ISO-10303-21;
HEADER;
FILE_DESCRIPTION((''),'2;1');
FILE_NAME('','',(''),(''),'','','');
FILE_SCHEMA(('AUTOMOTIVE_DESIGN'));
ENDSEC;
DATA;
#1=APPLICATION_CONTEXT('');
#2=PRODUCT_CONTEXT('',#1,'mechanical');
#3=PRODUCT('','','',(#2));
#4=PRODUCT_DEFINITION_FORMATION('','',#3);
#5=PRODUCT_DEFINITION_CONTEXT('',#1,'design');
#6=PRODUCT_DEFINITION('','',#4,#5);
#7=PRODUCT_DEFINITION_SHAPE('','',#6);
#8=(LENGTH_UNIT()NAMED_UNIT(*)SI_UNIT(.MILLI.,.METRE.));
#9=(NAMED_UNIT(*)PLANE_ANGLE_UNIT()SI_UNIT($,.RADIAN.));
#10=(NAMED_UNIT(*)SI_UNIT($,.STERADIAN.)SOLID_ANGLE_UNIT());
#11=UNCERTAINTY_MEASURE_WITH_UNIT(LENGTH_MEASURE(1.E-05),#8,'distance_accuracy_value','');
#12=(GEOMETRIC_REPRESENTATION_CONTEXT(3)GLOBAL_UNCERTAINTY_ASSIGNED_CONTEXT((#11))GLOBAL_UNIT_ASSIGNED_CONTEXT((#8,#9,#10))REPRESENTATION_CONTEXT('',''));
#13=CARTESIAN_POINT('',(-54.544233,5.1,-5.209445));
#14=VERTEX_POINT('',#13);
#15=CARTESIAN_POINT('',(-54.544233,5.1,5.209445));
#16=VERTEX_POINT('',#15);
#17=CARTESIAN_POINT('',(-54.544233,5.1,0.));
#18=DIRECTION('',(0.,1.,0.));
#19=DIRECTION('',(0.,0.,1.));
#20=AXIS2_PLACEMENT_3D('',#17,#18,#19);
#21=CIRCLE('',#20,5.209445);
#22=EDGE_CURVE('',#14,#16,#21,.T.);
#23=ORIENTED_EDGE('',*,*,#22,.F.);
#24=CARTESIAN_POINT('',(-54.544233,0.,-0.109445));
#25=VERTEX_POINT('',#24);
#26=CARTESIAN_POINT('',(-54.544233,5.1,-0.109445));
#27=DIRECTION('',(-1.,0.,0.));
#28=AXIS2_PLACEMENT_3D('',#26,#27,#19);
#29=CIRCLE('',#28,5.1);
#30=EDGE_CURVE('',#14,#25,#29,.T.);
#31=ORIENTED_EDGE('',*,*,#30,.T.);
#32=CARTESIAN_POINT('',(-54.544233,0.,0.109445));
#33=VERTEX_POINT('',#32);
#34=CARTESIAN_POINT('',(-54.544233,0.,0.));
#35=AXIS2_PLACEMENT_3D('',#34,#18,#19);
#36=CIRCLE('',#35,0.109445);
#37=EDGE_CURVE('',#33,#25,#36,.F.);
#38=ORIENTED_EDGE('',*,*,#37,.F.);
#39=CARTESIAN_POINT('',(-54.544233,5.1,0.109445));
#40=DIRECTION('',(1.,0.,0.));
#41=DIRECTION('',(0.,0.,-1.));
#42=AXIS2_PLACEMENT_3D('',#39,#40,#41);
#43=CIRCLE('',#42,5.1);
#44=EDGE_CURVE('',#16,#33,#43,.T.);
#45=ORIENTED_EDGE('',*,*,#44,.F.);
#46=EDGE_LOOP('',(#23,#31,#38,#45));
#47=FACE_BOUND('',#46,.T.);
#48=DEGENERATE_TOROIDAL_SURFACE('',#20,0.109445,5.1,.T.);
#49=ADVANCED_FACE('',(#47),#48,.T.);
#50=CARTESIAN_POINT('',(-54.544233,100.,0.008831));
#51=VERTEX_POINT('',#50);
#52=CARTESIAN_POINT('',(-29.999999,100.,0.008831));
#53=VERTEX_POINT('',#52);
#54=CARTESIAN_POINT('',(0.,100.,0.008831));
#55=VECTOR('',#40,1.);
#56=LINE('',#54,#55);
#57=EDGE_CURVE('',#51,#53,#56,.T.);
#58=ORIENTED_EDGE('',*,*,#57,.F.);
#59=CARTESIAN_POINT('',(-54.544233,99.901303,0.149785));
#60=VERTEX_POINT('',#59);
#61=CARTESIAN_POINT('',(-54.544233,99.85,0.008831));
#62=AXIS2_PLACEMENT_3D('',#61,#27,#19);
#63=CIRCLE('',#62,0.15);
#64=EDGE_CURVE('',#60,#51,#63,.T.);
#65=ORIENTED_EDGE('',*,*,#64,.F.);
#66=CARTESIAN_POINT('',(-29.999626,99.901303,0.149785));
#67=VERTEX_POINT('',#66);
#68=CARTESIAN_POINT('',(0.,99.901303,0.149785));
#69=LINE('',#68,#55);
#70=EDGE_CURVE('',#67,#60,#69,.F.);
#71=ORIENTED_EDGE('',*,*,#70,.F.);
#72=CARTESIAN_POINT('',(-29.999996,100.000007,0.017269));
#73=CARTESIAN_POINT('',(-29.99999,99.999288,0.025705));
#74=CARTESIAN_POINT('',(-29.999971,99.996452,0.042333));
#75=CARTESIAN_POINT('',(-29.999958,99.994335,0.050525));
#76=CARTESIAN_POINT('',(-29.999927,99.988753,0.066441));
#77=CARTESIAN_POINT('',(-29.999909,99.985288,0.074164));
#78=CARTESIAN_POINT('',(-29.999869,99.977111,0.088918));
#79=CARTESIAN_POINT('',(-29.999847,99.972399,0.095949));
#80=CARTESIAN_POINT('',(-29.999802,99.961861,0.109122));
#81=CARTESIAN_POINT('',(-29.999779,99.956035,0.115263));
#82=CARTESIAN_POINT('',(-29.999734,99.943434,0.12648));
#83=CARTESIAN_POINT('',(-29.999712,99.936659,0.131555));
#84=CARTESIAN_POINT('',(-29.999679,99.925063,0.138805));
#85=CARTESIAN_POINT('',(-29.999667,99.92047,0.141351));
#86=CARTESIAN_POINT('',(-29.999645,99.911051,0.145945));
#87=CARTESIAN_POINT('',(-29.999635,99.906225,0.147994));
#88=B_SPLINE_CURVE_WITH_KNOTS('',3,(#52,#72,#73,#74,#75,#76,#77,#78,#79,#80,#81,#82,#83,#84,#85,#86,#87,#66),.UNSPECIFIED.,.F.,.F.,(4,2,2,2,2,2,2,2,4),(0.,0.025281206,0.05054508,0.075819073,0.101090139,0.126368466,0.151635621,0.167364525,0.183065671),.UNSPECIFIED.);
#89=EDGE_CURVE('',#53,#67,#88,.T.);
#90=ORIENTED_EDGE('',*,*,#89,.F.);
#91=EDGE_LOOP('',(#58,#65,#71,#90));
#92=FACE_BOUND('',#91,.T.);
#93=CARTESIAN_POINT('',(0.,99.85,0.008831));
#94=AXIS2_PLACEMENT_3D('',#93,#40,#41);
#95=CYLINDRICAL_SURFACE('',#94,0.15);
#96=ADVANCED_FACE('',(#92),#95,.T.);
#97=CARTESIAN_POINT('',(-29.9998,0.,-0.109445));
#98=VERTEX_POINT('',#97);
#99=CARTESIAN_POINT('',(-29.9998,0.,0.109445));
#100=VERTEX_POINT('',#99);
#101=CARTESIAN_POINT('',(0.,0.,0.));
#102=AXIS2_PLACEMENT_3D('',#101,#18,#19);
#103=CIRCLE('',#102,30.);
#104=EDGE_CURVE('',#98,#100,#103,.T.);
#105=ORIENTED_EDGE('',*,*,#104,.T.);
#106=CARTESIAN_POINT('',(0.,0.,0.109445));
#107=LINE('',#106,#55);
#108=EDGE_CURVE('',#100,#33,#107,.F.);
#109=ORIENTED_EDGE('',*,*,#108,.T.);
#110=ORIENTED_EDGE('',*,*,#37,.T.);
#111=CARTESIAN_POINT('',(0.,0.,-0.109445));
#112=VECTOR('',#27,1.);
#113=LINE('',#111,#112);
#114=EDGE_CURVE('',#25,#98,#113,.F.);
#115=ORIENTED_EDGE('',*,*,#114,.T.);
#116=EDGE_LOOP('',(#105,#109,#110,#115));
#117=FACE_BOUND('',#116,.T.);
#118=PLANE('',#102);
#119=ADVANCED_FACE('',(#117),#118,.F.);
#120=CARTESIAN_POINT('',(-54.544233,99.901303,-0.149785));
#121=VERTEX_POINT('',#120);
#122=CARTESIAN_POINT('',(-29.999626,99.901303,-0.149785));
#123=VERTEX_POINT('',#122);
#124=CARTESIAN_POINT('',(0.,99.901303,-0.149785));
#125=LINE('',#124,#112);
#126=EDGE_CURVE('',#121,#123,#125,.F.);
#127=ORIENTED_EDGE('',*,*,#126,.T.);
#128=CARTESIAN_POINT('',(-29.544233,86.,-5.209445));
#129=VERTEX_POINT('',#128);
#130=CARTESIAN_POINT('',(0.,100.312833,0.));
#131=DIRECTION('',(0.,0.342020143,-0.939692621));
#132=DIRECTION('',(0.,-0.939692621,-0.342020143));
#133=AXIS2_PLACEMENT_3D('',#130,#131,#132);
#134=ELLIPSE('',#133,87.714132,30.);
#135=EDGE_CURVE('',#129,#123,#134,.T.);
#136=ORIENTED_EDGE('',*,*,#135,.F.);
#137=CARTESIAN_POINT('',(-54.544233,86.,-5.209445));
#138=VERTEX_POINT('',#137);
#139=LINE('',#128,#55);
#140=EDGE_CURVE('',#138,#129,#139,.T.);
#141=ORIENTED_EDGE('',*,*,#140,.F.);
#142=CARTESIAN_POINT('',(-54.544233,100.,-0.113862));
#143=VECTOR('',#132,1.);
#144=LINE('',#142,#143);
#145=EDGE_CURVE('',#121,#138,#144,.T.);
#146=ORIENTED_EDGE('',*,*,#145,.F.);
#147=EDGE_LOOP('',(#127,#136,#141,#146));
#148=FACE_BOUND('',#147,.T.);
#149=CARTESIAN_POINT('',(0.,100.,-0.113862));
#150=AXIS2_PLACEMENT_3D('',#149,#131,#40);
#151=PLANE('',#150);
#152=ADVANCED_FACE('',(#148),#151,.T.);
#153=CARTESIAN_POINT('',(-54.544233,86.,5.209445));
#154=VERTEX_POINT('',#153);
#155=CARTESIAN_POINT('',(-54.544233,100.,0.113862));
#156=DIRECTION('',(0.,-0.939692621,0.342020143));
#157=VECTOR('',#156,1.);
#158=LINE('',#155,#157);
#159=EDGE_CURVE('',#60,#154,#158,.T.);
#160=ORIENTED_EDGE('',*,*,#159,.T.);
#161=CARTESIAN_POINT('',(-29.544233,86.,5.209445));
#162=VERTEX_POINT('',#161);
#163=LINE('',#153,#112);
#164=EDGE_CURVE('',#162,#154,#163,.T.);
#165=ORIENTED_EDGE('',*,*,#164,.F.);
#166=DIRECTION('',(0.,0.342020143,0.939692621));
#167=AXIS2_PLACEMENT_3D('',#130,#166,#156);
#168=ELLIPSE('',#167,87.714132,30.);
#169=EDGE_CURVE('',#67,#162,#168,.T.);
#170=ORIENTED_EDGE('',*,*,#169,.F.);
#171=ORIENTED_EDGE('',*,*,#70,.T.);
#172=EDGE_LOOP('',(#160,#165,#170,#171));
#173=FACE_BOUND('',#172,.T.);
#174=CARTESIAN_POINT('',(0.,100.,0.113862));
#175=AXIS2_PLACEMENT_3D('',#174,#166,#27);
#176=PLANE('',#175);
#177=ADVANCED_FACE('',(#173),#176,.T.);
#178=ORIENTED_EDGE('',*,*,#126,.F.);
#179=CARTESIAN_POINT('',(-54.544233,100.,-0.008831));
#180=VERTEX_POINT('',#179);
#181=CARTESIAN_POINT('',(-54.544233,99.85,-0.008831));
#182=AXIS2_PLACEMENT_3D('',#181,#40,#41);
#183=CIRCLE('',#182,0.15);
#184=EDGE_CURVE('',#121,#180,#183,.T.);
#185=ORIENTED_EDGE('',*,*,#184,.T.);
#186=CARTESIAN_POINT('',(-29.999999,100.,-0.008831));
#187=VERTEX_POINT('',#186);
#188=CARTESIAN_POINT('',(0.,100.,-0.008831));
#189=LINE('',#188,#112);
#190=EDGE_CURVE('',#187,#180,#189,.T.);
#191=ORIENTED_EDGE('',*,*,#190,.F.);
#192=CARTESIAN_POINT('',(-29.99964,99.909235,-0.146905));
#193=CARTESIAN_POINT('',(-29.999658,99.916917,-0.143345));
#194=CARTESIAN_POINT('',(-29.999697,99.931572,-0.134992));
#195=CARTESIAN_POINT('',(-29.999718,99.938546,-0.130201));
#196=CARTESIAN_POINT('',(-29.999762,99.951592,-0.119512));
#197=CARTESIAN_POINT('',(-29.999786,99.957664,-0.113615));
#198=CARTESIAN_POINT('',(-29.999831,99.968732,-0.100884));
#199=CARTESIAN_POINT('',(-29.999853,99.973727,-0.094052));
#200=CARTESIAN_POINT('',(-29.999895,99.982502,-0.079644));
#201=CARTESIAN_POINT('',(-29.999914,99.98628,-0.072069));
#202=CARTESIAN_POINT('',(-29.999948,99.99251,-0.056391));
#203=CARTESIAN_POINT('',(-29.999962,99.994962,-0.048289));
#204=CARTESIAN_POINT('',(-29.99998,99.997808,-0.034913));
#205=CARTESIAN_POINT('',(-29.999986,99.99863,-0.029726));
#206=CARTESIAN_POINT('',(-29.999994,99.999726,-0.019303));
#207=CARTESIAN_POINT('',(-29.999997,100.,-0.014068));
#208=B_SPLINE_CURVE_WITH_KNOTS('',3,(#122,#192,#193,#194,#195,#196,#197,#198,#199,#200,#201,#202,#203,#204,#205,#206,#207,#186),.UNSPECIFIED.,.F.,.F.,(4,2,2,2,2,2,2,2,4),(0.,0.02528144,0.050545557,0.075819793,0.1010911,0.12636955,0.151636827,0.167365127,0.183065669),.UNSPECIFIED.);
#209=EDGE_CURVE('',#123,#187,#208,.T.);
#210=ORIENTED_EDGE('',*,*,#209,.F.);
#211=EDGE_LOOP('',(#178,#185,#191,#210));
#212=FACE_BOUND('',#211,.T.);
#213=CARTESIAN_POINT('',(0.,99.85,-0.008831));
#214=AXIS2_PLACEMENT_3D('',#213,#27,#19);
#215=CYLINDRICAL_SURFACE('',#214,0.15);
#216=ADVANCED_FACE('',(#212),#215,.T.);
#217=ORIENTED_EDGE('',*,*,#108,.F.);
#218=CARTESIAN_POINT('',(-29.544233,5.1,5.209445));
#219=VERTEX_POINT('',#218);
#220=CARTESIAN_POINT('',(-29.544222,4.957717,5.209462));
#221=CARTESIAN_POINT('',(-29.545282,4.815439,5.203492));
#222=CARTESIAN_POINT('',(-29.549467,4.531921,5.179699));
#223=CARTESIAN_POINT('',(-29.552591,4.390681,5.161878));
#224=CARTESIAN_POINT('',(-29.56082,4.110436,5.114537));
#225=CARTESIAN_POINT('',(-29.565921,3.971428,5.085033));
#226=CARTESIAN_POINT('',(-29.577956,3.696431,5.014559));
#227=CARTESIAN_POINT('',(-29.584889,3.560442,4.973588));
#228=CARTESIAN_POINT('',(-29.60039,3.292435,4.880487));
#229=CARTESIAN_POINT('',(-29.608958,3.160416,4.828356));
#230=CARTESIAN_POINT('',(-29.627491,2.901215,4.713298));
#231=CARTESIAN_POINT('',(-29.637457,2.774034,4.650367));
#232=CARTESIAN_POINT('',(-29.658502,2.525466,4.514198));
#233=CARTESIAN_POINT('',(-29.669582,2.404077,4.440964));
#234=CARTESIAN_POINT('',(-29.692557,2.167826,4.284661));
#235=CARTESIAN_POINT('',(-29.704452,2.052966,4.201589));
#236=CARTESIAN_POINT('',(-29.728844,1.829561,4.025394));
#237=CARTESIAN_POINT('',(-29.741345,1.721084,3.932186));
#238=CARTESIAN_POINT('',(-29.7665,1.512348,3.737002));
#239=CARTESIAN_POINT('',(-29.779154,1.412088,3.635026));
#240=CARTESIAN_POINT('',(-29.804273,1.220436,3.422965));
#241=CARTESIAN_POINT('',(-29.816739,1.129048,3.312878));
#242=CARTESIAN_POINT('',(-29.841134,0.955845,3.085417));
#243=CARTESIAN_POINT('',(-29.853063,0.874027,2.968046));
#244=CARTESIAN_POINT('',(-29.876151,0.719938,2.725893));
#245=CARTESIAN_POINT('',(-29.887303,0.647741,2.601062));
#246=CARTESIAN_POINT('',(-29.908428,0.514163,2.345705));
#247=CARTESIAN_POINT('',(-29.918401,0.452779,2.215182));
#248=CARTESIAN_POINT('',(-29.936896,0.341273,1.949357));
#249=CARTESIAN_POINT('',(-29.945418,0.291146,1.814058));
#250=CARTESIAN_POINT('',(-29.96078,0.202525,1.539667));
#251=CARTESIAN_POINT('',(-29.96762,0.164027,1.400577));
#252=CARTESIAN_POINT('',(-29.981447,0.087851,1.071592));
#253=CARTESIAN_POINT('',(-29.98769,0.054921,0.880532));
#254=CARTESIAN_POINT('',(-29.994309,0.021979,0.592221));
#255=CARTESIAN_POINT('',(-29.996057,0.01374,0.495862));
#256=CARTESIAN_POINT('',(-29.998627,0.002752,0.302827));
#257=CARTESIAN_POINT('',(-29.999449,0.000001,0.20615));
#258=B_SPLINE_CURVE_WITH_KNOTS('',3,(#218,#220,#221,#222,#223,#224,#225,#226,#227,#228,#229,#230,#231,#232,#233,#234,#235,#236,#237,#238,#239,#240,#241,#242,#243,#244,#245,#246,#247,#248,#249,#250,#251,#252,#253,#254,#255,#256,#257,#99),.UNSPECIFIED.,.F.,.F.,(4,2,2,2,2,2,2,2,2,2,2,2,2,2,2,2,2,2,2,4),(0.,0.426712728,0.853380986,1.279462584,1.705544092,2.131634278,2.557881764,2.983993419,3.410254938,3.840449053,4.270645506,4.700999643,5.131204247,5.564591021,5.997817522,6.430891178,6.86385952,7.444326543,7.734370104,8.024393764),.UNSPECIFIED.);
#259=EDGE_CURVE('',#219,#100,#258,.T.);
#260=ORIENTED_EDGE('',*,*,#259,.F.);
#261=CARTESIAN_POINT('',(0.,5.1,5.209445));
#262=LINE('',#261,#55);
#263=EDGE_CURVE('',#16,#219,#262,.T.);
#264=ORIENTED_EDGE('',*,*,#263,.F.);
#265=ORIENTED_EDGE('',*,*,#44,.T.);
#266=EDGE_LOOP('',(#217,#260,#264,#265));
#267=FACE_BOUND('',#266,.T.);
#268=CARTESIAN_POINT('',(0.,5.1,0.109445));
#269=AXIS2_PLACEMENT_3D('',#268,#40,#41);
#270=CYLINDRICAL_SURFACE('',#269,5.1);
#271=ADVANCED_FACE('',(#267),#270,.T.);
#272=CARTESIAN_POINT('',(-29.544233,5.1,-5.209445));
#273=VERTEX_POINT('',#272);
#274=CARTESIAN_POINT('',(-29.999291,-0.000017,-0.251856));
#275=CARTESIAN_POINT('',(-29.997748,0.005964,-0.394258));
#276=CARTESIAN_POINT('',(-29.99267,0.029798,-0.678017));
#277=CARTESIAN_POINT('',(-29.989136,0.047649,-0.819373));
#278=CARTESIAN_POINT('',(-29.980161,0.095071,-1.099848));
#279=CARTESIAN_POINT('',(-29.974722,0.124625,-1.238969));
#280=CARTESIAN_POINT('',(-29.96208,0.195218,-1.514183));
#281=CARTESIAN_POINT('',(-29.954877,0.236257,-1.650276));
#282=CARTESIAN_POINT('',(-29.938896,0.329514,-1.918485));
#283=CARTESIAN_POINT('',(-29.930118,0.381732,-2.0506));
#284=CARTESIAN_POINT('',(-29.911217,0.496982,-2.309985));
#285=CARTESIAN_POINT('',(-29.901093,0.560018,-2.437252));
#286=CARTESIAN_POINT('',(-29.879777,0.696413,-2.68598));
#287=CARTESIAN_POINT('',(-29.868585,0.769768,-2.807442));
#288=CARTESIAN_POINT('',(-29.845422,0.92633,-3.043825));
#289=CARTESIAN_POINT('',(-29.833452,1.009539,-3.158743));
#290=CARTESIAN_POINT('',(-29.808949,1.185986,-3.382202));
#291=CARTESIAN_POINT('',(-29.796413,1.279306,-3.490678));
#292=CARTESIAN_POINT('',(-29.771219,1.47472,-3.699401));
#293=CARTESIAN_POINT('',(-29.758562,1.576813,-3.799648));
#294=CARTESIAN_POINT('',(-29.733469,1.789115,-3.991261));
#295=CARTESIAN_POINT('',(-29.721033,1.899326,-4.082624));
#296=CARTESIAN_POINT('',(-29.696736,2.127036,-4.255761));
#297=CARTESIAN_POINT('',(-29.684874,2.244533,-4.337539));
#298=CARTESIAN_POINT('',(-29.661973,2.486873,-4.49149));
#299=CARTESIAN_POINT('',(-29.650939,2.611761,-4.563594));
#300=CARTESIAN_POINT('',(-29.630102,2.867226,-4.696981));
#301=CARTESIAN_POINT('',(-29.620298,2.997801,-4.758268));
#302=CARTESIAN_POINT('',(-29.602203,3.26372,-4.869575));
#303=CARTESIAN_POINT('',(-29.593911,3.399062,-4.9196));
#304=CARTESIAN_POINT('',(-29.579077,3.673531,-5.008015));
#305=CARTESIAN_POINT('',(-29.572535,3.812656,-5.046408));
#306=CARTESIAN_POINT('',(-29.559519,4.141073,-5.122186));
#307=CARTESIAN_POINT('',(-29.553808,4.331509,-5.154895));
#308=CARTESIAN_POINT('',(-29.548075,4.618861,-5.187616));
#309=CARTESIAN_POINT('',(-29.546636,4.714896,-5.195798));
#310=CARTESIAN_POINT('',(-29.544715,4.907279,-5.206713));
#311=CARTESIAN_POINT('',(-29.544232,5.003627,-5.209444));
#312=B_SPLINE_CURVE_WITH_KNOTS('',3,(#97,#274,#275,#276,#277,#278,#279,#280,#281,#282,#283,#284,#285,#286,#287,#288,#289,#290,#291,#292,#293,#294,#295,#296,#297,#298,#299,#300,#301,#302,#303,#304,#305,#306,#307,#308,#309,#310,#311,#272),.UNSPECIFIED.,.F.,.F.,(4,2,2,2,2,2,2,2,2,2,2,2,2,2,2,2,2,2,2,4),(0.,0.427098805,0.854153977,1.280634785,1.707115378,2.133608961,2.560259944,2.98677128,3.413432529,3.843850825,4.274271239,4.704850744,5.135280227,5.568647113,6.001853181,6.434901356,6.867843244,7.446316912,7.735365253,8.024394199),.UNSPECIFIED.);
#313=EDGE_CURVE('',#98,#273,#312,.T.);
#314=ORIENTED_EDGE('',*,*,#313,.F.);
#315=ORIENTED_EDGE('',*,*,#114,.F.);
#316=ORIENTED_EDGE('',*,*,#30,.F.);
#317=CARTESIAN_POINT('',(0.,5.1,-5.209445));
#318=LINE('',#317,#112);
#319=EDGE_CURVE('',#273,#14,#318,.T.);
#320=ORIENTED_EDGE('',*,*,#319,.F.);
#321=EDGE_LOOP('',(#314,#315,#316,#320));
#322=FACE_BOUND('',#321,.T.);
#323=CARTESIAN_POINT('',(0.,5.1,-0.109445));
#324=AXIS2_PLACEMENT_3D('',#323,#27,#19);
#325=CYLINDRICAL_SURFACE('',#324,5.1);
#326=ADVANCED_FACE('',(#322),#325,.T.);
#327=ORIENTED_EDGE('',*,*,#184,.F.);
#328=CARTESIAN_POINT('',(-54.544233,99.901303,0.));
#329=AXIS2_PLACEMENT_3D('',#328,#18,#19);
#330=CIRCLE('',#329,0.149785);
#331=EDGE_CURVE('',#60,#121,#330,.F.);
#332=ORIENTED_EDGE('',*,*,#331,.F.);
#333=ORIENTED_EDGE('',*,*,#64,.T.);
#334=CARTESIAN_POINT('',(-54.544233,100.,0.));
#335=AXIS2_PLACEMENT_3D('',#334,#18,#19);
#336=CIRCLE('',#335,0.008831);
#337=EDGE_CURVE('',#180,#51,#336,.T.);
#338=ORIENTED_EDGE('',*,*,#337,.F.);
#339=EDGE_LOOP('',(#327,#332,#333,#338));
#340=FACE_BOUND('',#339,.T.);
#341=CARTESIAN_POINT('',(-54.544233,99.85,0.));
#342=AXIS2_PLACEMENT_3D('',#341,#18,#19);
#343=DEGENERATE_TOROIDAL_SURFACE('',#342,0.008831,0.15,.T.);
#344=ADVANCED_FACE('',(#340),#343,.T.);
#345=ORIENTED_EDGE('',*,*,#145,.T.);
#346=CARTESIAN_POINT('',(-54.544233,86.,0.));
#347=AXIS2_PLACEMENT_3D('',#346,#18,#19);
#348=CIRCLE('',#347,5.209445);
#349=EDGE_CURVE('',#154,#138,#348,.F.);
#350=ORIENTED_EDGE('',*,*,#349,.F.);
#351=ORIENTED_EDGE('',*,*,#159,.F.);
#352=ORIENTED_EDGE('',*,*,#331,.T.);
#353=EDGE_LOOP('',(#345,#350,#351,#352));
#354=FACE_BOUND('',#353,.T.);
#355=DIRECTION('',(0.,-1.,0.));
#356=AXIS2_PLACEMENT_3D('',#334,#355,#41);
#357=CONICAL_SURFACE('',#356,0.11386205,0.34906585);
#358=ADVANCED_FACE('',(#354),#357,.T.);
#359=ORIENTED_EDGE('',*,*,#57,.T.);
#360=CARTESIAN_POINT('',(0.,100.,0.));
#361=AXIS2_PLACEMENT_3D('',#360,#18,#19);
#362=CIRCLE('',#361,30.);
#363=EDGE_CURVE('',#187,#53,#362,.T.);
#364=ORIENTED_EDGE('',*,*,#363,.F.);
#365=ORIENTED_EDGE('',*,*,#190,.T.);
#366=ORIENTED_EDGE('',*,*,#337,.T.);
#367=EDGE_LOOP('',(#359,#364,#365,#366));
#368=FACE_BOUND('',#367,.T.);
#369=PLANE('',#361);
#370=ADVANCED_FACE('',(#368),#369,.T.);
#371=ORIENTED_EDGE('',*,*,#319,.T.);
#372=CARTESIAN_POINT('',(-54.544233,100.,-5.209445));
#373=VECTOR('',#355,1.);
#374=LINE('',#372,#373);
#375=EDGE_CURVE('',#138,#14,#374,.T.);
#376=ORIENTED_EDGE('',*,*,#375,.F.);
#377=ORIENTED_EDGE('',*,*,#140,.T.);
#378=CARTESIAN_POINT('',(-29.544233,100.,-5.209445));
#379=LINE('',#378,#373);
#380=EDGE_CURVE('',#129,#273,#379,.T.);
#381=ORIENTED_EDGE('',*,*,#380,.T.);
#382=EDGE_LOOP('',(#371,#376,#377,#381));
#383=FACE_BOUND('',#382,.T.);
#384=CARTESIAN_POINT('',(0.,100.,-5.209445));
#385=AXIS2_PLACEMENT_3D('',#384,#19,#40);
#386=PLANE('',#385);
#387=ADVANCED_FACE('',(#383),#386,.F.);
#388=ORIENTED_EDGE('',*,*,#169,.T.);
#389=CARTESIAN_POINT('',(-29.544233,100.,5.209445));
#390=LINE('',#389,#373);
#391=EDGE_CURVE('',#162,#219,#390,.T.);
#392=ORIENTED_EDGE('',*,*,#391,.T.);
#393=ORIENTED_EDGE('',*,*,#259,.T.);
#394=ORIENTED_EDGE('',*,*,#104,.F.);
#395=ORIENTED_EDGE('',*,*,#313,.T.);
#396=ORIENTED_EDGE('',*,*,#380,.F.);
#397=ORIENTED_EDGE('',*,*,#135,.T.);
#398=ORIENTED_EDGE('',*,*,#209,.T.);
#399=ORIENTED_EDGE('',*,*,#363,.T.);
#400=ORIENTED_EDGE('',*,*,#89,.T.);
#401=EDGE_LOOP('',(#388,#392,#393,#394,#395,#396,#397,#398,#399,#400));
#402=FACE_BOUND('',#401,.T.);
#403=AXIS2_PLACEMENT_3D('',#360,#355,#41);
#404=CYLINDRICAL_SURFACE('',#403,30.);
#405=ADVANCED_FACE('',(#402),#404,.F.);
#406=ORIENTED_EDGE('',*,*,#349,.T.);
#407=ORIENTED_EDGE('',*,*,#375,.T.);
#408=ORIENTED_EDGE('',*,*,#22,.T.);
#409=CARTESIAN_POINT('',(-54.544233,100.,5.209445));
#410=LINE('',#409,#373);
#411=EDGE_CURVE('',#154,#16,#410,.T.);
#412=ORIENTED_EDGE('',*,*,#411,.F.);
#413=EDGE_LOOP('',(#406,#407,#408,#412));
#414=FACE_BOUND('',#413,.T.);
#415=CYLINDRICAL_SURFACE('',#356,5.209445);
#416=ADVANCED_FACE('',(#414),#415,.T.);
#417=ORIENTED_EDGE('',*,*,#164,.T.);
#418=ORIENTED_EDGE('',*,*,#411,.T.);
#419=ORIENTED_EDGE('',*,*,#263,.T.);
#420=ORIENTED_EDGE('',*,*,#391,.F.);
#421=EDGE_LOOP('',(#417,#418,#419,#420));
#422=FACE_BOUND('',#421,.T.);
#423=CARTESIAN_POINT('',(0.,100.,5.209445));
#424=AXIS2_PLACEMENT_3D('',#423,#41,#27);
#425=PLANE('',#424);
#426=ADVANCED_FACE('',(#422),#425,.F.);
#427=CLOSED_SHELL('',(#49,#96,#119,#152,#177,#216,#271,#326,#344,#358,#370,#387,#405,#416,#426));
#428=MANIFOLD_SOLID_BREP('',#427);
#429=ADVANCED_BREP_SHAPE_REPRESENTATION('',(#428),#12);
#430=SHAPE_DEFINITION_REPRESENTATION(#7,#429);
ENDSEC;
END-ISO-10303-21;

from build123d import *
from OCP.BRepFilletAPI import BRepFilletAPI_MakeChamfer

# Parameters (mm, degrees)
BOSS_EXTRUDE1_DEPTH = 100
CHAMFER1_SIZE       = 14
CHAMFER1_SIZE2      = 5.09558328
FILLET1_R           = 0.15
FILLET2_R           = 5.1


with BuildPart() as part:
    # Sketch1 → Boss-Extrude1 (new body)
    with BuildSketch(Plane(origin=(0, 0, 0), x_dir=(1, 0, 0), z_dir=(0, 1, 0))):
        with BuildLine():
            ThreePointArc((-29.54423259, -5.20944533), (-30, 0), (-29.54423259, 5.20944533))
            Line((-29.54423259, 5.20944533), (-54.54423259, 5.20944533))
            ThreePointArc((-54.54423259, 5.20944533), (-59.75367792, 0), (-54.54423259, -5.20944533))
            Line((-54.54423259, -5.20944533), (-29.54423259, -5.20944533))
        make_face()
    extrude(amount=BOSS_EXTRUDE1_DEPTH)

    # Chamfer1: one chamfer whose edges measure the first distance from different faces: ONE call of the kernel's chamfer builder (chamfer() names one face for all edges)
    chamfer1_edges_1 = [part.edges().sort_by_distance(p)[0] for p in [
        (-59.75367792, 100, 0),
    ]]
    chamfer1_side_1 = [part.faces().sort_by_distance(p)[0] for p in [
        (-59.75367792, 50, 0),
    ]]
    chamfer1_edges_2 = [part.edges().sort_by_distance(p)[0] for p in [
        (-42.04423259, 100, 5.20944533),
    ]]
    chamfer1_side_2 = [part.faces().sort_by_distance(p)[0] for p in [
        (-42.04423259, 50, 5.20944533),
    ]]
    chamfer1_edges_3 = [part.edges().sort_by_distance(p)[0] for p in [
        (-42.04423259, 100, -5.20944533),
    ]]
    chamfer1_side_3 = [part.faces().sort_by_distance(p)[0] for p in [
        (-42.04423259, 50, -5.20944533),
    ]]
    chamfer1 = BRepFilletAPI_MakeChamfer(part.part.solid().wrapped)
    for e in chamfer1_edges_1:
        chamfer1.Add(CHAMFER1_SIZE, CHAMFER1_SIZE2, e.wrapped, chamfer1_side_1[0].wrapped)  # the first distance lies on this face
    for e in chamfer1_edges_2:
        chamfer1.Add(CHAMFER1_SIZE, CHAMFER1_SIZE2, e.wrapped, chamfer1_side_2[0].wrapped)  # the first distance lies on this face
    for e in chamfer1_edges_3:
        chamfer1.Add(CHAMFER1_SIZE, CHAMFER1_SIZE2, e.wrapped, chamfer1_side_3[0].wrapped)  # the first distance lies on this face
    add(Compound.cast(chamfer1.Shape()), mode=Mode.REPLACE)

    # Fillet1
    fillet1_edges = [part.edges().sort_by_distance(p)[0] for p in [
        (-42.272008257, 100, -0.11386205),
        (-54.658094641, 100, 0),
        (-42.272008257, 100, 0.11386205),
    ]]
    fillet(fillet1_edges, radius=FILLET1_R)

    # Fillet2
    fillet2_edges = [part.edges().sort_by_distance(p)[0] for p in [
        (-42.04423259, 0, 5.20944533),
        (-59.75367792, 0, 0),
        (-42.04423259, 0, -5.20944533),
    ]]
    fillet(fillet2_edges, radius=FILLET2_R)


solid = part.part
